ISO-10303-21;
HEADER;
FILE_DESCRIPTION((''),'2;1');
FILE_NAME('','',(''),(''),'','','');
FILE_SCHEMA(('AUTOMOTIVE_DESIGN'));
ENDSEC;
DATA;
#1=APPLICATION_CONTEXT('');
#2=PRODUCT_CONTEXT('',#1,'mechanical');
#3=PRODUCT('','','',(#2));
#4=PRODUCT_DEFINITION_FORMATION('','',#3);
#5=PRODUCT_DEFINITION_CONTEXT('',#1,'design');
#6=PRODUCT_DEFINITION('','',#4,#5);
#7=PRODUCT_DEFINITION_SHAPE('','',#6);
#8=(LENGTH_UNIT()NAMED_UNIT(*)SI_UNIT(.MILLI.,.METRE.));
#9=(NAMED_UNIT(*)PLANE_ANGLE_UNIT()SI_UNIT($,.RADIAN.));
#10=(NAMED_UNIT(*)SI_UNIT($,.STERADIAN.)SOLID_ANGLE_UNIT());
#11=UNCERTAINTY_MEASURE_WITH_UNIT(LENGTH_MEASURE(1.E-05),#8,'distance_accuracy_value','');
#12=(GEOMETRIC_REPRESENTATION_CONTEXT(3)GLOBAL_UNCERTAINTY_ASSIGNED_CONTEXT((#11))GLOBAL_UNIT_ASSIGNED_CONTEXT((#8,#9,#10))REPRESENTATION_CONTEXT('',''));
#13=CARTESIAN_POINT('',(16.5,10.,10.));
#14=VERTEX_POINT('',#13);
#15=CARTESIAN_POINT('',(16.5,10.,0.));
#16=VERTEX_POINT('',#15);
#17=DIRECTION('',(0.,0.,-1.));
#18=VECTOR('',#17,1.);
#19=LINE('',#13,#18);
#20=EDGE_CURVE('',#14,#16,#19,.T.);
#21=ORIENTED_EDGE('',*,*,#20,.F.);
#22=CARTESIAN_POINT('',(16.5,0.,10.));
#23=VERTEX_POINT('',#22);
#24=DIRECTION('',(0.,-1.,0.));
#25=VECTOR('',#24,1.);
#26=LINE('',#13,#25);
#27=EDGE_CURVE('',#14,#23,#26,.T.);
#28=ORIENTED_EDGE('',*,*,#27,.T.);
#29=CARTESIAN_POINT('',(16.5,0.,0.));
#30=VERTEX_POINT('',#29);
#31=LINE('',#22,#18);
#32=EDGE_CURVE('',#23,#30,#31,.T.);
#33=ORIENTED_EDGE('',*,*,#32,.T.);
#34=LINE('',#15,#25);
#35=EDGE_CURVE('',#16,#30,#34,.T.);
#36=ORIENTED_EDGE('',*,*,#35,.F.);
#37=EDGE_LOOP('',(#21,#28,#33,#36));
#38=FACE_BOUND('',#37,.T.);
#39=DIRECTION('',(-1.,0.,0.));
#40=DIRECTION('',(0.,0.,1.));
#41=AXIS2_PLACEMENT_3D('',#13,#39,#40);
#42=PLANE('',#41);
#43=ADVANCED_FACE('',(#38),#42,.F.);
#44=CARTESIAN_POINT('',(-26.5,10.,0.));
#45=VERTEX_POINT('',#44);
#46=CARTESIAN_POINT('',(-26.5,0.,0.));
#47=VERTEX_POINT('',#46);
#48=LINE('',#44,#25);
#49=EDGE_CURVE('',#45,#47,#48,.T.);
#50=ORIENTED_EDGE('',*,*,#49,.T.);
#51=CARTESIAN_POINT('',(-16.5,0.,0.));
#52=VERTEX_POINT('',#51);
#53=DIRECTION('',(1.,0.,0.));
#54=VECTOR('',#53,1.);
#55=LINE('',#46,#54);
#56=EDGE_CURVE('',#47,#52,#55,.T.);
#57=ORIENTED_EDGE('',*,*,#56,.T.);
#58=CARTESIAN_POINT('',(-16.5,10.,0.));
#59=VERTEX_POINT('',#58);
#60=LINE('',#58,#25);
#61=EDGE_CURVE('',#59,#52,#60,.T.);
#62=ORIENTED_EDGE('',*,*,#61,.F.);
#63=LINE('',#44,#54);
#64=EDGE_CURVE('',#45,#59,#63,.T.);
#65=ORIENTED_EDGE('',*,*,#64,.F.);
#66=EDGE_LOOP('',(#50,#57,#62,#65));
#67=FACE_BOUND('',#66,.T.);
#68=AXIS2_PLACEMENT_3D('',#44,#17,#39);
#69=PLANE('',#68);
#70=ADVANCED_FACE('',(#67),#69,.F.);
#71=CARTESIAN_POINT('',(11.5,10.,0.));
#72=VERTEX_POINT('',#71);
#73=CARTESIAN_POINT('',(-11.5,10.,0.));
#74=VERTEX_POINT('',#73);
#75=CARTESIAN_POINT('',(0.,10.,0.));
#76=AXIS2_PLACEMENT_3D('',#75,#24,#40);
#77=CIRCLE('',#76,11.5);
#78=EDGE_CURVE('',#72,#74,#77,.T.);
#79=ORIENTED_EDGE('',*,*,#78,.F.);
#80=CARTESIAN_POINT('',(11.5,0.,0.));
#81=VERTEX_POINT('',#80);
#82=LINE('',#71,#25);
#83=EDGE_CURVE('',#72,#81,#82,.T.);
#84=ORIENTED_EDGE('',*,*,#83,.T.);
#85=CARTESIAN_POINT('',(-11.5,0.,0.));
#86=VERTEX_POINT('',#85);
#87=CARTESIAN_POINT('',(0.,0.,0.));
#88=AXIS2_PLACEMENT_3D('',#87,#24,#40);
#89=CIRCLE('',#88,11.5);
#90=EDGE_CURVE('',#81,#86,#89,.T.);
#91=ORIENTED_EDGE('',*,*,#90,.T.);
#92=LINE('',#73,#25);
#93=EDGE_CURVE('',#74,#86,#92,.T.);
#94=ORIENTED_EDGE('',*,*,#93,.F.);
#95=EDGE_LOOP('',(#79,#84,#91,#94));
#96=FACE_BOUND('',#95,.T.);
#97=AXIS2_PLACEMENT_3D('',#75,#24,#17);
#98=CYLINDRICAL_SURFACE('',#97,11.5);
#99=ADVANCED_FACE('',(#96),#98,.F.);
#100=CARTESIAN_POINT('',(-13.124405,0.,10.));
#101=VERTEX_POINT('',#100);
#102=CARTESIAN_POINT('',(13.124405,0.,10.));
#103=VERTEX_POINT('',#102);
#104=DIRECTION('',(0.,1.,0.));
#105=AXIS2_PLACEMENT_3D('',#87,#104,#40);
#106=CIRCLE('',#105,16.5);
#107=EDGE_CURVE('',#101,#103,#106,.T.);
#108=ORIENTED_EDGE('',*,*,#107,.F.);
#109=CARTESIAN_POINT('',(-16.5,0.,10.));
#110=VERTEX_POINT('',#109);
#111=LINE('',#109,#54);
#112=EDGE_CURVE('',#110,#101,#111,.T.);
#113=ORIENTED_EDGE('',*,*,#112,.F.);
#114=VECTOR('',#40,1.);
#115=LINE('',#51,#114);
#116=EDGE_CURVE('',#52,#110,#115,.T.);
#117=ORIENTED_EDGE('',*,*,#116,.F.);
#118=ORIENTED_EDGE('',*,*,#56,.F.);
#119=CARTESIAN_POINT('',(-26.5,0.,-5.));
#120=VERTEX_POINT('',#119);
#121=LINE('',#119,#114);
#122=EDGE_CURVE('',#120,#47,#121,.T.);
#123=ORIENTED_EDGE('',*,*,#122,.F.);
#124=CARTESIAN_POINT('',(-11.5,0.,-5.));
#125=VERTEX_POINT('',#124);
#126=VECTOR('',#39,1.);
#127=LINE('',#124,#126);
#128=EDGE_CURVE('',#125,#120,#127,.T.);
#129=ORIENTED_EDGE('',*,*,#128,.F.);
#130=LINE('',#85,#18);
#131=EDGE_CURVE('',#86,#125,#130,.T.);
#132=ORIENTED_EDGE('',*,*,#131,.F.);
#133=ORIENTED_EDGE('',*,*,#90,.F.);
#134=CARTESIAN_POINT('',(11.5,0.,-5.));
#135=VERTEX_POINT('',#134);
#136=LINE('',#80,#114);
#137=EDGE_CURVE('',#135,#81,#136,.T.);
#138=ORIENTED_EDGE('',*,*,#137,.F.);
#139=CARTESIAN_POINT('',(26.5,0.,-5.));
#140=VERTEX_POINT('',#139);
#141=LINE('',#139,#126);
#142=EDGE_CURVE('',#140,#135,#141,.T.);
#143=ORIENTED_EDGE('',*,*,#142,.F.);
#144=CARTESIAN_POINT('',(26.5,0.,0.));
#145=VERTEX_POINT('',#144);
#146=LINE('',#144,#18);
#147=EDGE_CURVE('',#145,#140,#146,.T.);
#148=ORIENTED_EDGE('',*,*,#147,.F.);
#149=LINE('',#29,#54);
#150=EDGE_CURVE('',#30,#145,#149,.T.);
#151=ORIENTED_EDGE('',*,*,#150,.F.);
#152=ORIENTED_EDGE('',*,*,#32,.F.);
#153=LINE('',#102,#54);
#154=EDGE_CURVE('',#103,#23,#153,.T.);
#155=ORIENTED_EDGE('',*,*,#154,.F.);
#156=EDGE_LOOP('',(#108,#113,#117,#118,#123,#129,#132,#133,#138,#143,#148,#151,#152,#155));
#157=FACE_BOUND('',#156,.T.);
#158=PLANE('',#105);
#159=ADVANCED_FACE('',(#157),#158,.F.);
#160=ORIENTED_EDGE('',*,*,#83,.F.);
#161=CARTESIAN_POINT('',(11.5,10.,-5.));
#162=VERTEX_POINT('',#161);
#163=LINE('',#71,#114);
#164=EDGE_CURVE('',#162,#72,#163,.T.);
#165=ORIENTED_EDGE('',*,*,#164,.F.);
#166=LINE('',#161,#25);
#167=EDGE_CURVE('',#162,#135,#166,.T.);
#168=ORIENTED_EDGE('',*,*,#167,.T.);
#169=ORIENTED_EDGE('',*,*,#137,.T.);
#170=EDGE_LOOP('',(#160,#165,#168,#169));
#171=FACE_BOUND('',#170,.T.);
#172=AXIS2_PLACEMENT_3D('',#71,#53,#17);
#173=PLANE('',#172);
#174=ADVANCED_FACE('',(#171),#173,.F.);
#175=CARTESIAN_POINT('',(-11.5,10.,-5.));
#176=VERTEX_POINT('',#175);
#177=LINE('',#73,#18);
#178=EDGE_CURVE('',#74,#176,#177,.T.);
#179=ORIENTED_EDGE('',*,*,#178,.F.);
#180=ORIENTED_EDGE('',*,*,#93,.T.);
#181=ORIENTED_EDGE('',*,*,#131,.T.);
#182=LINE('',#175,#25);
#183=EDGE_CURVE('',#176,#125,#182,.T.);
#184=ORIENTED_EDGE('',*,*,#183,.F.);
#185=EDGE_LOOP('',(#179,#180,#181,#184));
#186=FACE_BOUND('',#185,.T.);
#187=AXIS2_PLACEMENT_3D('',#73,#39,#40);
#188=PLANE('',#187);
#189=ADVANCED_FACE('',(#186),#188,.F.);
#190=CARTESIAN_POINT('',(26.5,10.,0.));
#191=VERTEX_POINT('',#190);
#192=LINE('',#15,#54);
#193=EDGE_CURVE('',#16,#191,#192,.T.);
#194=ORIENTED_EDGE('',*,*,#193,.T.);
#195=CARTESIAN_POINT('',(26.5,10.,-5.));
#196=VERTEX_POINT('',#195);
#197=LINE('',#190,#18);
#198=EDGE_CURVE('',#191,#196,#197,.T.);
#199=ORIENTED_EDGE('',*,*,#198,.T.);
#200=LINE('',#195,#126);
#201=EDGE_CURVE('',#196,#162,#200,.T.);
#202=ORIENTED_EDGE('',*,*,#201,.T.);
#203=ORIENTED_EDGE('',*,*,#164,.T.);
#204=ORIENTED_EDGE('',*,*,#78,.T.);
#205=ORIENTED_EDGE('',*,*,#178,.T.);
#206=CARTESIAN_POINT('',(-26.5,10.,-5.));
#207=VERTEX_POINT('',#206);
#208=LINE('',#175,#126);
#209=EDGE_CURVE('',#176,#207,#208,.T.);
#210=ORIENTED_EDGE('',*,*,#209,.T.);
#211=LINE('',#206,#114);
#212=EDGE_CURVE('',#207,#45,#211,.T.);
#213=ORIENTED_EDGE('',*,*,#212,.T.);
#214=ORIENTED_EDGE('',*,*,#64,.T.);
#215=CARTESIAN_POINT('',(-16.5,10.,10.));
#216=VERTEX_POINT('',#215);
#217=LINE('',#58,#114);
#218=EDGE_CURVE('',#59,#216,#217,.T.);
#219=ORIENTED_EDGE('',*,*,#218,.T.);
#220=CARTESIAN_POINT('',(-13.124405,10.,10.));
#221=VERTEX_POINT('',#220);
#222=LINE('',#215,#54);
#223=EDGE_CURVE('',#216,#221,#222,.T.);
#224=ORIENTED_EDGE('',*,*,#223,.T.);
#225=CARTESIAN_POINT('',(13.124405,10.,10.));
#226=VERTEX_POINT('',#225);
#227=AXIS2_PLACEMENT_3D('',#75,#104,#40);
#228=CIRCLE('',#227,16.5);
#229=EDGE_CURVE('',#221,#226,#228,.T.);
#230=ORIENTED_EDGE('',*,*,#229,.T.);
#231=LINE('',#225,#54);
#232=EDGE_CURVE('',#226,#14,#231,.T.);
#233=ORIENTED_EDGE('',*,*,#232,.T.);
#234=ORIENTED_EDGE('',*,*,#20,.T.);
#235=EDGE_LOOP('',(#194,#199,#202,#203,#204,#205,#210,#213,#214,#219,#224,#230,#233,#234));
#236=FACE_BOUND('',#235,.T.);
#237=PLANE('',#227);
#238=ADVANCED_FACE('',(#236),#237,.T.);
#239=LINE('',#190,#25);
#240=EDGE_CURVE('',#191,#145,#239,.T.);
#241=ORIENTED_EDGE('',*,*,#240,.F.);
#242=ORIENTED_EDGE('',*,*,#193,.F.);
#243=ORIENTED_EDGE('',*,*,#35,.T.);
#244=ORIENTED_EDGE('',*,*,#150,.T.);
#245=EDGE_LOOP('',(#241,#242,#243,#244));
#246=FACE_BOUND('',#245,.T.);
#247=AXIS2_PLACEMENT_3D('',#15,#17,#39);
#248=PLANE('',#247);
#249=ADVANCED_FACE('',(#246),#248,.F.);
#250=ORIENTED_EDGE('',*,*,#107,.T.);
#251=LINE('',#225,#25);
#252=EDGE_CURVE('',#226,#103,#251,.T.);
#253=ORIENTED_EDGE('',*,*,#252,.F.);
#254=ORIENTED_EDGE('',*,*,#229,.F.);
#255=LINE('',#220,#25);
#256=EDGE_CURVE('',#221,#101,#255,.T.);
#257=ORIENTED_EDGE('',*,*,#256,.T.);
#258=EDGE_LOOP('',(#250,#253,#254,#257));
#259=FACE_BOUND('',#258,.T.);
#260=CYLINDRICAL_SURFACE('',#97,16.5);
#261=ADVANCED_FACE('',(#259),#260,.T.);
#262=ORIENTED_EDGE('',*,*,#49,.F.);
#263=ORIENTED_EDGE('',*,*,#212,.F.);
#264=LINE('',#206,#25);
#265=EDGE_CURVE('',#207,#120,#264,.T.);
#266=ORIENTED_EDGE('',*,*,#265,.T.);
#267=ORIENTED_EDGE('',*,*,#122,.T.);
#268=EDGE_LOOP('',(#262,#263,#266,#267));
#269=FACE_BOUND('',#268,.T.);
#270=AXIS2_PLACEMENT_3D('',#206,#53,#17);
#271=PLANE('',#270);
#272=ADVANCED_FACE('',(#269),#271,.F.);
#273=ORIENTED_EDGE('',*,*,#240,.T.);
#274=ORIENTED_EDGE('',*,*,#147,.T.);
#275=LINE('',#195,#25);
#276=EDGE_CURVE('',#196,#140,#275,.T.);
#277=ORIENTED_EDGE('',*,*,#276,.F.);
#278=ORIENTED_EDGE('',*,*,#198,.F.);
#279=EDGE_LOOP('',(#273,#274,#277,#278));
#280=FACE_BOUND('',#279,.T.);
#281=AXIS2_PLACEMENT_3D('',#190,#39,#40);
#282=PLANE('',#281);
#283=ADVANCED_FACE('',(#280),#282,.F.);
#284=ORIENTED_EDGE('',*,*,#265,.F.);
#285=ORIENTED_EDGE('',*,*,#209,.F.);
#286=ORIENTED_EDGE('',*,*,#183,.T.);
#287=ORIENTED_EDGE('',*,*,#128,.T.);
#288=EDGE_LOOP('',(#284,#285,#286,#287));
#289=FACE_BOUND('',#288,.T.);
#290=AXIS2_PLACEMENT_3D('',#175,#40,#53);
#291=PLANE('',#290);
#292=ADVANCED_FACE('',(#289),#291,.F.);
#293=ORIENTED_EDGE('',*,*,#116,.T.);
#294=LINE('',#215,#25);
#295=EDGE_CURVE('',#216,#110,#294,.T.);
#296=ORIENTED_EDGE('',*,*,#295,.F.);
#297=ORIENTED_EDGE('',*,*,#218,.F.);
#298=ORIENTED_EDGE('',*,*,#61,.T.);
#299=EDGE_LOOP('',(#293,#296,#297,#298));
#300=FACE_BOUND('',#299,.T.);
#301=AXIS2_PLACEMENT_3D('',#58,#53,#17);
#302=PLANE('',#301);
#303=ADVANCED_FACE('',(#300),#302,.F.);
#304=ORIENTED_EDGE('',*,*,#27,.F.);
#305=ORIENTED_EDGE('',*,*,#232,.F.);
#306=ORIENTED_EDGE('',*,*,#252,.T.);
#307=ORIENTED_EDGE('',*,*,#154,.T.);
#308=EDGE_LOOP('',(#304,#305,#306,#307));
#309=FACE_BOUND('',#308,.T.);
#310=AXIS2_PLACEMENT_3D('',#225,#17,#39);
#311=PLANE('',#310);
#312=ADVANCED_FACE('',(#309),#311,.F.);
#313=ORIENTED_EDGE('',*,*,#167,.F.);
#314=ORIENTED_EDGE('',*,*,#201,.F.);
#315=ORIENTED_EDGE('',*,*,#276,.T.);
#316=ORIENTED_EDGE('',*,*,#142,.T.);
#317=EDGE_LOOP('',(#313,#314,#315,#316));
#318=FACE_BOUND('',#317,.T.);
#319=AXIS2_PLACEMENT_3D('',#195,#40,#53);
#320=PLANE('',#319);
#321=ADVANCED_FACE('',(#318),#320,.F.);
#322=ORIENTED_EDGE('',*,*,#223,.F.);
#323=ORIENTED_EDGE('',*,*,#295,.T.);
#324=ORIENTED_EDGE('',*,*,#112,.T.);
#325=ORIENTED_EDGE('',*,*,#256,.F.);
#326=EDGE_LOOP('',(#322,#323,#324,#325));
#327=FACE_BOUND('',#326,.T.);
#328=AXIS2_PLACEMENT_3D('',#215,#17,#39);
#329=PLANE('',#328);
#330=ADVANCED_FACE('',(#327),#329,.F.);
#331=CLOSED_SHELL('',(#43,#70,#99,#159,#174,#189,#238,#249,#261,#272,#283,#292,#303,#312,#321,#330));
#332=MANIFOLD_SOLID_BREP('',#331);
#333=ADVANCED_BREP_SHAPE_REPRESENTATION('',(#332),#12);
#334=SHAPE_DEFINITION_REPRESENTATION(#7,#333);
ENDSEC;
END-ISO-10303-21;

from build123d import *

# Parameters (mm, degrees)
EXTRUDE_1_DEPTH = 10


with BuildPart() as part:
    # Эскиз1 → Бобышка-Вытянуть1 (new body)
    with BuildSketch(Plane(origin=(0, 0, 0), x_dir=(1, 0, 0), z_dir=(0, 1, 0))):
        with BuildLine():
            Line((-16.5, 0), (-16.5, -10))
            Line((-16.5, -10), (-13.124404748, -10))
            ThreePointArc((-13.124404748, -10), (0, -16.5), (13.124404748, -10))
            Line((13.124404748, -10), (16.5, -10))
            Line((16.5, -10), (16.5, 0))
            Line((16.5, 0), (26.5, 0))
            Line((26.5, 0), (26.5, 5))
            Line((26.5, 5), (11.5, 5))
            Line((11.5, 5), (11.5, 0))
            ThreePointArc((11.5, 0), (0, -11.5), (-11.5, 0))
            Line((-11.5, 0), (-11.5, 5))
            Line((-11.5, 5), (-26.5, 5))
            Line((-26.5, 5), (-26.5, 0))
            Line((-26.5, 0), (-16.5, 0))
        make_face()
    extrude(amount=EXTRUDE_1_DEPTH)


solid = part.part
